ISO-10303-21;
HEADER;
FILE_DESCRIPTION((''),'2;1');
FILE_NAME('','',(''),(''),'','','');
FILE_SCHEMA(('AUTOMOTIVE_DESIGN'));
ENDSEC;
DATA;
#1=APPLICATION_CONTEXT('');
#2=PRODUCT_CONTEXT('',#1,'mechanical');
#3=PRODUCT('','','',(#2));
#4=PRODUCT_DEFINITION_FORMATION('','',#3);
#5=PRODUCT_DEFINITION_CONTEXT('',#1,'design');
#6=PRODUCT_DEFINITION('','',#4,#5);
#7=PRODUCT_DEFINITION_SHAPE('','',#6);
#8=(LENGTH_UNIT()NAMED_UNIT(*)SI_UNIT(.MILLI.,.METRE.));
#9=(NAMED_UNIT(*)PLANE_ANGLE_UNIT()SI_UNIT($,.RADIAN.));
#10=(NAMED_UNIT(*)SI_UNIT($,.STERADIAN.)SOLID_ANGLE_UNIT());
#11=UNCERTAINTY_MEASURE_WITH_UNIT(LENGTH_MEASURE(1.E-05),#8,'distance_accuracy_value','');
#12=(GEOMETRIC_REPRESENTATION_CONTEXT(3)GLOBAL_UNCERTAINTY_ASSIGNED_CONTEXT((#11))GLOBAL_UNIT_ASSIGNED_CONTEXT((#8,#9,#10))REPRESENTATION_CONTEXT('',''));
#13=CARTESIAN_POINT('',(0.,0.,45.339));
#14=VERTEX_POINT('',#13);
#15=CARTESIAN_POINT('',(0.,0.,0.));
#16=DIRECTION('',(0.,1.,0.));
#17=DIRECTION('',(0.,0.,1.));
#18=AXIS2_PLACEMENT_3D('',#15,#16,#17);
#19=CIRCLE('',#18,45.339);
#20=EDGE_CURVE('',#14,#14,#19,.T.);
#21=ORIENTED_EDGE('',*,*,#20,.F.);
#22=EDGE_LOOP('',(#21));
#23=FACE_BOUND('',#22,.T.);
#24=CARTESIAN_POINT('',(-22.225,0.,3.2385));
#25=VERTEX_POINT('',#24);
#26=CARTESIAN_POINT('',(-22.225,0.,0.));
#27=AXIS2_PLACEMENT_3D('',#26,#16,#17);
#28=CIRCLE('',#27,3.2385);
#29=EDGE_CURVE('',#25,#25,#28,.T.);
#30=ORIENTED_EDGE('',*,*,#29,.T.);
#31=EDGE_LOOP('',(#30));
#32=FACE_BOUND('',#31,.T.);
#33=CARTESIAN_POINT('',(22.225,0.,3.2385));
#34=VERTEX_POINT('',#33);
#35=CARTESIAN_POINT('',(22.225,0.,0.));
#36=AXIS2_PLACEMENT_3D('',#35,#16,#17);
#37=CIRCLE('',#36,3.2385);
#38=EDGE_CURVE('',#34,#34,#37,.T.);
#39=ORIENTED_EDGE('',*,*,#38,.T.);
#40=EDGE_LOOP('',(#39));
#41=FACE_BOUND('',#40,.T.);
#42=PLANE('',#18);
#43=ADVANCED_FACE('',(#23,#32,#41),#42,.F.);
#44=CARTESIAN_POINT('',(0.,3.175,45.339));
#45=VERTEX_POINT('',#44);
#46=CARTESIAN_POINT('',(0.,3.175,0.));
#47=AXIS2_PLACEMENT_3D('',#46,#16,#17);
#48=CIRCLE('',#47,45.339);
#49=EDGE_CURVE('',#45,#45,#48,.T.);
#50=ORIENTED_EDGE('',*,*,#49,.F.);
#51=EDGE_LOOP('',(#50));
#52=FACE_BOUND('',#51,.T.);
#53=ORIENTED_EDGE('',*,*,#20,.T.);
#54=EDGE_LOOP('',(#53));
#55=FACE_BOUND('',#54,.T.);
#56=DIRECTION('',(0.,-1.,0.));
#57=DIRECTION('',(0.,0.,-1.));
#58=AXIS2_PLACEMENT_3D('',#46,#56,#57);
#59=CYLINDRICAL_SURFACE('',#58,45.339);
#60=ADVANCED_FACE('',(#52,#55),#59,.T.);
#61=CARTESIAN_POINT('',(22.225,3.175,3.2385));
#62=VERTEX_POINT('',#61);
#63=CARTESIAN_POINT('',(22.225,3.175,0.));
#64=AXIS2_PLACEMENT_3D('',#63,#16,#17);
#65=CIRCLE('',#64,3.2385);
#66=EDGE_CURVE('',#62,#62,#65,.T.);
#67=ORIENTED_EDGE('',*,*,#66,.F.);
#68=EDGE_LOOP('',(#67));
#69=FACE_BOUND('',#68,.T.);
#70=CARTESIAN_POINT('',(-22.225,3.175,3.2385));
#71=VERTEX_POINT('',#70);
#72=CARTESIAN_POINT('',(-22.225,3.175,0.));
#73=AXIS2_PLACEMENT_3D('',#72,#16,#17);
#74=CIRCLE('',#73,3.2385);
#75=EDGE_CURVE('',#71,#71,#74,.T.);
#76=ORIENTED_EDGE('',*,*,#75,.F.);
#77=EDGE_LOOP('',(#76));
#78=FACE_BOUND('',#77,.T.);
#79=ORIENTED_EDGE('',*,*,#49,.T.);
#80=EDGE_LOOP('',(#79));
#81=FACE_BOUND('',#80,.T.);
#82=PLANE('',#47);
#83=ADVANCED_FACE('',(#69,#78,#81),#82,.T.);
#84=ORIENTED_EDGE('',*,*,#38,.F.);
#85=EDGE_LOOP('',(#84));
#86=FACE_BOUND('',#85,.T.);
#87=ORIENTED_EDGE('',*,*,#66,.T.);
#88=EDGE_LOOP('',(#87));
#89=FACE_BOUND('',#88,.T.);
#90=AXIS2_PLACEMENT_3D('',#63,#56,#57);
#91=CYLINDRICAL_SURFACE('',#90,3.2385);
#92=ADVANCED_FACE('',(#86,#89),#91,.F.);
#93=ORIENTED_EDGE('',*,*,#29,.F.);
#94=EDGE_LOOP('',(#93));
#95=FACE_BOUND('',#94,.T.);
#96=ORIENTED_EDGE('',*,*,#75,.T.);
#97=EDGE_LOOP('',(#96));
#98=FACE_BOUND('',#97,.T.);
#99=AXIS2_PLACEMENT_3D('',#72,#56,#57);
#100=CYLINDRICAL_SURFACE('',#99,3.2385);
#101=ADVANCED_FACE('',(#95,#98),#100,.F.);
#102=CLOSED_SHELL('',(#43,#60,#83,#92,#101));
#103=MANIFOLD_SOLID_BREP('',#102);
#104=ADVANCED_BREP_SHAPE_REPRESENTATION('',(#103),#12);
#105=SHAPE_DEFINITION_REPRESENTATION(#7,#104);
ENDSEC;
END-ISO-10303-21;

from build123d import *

# Parameters (mm, degrees)
SKETCH1_R           = 45.339
SKETCH1_R_2         = 3.2385
BOSS_EXTRUDE1_DEPTH = 3.175


with BuildPart() as part:
    # Sketch1 → Boss-Extrude1 (new body)
    with BuildSketch(Plane(origin=(0, 0, 0), x_dir=(1, 0, 0), z_dir=(0, 1, 0))):
        Circle(SKETCH1_R)
        with Locations((22.225, 0)):
            Circle(SKETCH1_R_2, mode=Mode.SUBTRACT)
        with Locations((-22.225, 0)):
            Circle(SKETCH1_R_2, mode=Mode.SUBTRACT)
    extrude(amount=BOSS_EXTRUDE1_DEPTH)


solid = part.part
